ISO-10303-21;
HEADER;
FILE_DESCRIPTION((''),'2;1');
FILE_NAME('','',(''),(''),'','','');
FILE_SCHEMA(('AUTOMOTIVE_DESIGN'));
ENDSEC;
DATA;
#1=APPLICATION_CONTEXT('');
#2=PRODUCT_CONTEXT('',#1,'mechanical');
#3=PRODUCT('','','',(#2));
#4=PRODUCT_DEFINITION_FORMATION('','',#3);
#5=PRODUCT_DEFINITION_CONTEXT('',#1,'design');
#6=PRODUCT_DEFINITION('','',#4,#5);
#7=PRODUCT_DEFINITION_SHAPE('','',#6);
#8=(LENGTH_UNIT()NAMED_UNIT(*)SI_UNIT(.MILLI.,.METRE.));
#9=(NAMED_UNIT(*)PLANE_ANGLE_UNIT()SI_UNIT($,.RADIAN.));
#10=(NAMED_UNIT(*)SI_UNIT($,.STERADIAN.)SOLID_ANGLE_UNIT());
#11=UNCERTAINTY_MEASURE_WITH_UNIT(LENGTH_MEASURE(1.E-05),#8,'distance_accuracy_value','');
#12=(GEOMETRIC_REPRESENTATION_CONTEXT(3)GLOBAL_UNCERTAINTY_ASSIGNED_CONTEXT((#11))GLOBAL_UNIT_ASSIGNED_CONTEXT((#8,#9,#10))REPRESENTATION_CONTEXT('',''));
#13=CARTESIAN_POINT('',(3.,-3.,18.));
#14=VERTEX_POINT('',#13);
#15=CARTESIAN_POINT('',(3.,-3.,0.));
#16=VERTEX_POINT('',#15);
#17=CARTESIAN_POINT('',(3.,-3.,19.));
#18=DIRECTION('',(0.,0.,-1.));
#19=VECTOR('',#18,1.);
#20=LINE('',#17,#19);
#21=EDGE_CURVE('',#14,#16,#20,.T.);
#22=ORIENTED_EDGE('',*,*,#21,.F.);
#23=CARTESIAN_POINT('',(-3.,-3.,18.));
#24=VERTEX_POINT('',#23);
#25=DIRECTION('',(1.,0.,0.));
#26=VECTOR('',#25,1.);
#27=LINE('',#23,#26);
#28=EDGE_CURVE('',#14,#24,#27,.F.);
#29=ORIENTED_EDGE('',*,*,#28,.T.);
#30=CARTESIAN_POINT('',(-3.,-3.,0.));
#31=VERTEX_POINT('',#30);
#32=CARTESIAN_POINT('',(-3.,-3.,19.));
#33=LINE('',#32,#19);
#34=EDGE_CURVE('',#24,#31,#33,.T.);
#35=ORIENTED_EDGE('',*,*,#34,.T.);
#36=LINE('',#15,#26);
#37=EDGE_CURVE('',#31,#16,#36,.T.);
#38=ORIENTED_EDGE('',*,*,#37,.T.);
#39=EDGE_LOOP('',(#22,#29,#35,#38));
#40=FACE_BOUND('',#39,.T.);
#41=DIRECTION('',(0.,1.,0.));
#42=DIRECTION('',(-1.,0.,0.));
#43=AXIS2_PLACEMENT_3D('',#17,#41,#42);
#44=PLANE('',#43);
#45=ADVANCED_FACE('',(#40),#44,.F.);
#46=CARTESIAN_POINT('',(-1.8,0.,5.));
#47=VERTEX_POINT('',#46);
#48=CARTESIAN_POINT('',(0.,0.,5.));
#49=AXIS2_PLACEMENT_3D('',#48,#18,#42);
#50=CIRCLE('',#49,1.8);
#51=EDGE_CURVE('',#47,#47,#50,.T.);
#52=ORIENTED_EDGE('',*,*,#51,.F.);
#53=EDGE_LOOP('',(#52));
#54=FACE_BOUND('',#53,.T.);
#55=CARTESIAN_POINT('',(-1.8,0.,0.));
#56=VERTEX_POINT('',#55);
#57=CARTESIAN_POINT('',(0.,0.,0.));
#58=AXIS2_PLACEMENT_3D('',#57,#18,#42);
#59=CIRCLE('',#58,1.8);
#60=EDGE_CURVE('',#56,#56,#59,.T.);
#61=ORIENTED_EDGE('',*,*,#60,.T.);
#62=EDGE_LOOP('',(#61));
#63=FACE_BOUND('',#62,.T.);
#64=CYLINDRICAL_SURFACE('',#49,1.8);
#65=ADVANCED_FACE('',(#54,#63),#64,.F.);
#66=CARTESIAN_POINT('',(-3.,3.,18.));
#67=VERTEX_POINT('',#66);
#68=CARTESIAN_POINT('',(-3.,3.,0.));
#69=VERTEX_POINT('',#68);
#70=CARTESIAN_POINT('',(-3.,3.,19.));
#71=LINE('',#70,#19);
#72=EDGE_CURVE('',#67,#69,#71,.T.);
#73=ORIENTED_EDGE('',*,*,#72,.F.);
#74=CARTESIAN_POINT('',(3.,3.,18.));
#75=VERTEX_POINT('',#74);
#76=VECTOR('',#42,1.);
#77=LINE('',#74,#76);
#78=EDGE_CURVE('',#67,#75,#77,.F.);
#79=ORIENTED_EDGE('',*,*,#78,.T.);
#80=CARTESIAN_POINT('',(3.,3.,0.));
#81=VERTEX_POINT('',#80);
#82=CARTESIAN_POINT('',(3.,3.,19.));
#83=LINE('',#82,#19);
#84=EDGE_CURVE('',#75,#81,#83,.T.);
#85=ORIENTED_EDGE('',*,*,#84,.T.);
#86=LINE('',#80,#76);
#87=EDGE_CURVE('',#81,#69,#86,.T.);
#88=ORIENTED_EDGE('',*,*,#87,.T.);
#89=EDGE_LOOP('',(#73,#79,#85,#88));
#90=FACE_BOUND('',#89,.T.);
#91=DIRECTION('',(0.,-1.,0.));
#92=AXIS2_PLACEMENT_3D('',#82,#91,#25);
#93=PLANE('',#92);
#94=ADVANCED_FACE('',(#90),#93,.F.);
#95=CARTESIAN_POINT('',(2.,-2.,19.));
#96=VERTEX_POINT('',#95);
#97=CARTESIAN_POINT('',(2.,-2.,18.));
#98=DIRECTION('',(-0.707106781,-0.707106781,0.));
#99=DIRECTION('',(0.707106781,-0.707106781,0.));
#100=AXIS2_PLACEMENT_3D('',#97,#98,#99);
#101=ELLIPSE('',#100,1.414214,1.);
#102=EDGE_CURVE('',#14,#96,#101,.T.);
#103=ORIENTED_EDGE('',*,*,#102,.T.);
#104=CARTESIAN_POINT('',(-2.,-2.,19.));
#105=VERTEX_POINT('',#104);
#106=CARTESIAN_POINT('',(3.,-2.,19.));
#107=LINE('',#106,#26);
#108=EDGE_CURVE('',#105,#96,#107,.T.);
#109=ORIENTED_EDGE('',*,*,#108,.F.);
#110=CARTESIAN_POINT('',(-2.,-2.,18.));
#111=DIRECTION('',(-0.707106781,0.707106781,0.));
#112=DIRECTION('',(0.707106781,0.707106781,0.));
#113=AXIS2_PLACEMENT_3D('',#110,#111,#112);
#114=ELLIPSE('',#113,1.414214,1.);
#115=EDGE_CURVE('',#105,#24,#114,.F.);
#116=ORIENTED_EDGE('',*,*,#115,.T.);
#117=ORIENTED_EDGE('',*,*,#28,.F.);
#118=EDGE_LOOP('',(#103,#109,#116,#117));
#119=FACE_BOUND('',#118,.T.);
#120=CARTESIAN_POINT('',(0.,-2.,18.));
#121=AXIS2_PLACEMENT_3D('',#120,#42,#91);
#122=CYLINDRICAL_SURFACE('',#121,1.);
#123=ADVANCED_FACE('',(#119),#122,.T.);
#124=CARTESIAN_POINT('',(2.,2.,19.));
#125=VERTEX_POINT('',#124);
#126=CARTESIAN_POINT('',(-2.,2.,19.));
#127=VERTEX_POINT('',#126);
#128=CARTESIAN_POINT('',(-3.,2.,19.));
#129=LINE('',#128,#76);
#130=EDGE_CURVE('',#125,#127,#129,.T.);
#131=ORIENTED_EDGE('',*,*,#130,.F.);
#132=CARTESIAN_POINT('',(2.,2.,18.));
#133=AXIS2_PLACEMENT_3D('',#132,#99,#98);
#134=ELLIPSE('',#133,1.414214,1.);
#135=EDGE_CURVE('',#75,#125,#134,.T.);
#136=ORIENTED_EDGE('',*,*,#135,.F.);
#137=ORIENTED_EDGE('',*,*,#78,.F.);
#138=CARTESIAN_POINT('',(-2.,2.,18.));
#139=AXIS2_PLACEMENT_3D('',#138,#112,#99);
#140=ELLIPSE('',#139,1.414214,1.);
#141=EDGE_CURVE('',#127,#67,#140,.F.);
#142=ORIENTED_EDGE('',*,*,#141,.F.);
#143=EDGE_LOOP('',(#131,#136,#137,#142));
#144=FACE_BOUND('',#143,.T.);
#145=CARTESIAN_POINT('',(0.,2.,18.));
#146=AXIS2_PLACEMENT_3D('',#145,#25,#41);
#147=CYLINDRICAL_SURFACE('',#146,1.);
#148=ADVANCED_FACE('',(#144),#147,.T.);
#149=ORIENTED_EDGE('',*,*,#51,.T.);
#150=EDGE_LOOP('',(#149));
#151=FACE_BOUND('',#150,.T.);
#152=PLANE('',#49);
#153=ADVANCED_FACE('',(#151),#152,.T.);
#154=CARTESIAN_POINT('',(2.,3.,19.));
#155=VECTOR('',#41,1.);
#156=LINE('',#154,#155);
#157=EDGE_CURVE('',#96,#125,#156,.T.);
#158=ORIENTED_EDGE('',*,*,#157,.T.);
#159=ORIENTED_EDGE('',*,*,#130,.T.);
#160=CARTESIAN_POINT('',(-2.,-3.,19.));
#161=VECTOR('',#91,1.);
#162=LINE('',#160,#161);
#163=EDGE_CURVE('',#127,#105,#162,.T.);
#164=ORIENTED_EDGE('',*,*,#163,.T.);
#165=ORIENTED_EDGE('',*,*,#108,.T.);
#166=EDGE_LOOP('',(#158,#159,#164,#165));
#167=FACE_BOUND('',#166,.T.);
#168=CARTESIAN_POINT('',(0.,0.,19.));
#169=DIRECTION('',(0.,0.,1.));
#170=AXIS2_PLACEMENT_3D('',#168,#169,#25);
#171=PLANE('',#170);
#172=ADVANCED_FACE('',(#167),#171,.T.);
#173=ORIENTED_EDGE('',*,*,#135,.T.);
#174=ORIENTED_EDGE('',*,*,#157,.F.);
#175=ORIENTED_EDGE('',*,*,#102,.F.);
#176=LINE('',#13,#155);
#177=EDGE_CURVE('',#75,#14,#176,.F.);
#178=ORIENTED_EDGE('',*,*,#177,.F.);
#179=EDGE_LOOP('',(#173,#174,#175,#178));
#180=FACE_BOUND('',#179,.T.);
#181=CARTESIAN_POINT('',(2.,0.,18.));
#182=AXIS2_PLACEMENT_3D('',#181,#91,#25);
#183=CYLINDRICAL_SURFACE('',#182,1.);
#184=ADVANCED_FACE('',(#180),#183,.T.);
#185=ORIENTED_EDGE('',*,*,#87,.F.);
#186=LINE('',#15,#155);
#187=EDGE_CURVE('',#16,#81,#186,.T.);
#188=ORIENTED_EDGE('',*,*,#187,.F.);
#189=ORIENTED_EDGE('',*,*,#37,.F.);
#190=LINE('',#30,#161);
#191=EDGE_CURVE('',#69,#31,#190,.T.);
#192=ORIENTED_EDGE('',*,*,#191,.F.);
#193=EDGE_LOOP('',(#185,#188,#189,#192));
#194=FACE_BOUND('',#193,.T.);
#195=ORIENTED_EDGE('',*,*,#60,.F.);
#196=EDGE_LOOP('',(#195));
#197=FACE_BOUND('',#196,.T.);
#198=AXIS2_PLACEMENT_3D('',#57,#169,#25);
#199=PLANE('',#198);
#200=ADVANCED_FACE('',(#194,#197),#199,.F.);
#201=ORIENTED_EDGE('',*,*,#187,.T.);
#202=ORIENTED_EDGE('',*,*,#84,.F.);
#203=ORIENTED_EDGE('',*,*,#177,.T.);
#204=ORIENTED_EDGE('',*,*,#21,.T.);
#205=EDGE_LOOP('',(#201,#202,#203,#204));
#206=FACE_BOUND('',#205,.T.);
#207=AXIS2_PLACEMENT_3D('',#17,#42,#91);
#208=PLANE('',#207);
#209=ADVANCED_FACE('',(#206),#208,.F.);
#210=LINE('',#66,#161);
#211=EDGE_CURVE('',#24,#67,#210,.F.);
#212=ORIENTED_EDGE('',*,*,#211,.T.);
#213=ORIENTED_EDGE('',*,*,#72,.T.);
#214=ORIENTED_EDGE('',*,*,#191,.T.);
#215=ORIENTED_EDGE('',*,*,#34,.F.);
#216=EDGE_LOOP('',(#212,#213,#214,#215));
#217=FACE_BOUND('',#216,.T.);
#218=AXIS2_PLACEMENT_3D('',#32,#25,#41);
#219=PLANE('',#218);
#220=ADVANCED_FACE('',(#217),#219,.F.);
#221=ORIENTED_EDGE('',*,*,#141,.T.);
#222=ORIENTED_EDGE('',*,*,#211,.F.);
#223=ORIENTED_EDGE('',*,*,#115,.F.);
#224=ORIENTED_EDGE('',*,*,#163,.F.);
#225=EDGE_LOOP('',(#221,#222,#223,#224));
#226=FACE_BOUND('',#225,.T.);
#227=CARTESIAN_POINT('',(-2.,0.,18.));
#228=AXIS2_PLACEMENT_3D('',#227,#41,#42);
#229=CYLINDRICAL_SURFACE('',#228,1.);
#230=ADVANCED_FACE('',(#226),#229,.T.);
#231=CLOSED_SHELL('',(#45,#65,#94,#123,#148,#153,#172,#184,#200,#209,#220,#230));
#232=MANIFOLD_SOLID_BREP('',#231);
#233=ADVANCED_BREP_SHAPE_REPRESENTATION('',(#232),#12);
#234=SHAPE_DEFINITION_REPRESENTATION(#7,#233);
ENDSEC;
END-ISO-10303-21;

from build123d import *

# Parameters (mm, degrees)
SKETCH1_W           = 6
SKETCH1_H           = 6
BOSS_EXTRUDE1_DEPTH = 19
SKETCH2_R           = 1.8
CUT_EXTRUDE1_DEPTH  = 5
FILLET1_R           = 1


with BuildPart() as part:
    # Sketch1 → Boss-Extrude1 (new body)
    with BuildSketch(Plane.XY):
        Rectangle(SKETCH1_W, SKETCH1_H)
    extrude(amount=BOSS_EXTRUDE1_DEPTH)

    # Sketch2 → Cut-Extrude1 (cut)
    with BuildSketch(Plane(origin=(0, 0, 0), x_dir=(-1, 0, 0), z_dir=(0, 0, -1))):
        Circle(SKETCH2_R)
    extrude(amount=-CUT_EXTRUDE1_DEPTH, mode=Mode.SUBTRACT)

    # Fillet1
    fillet1_edges = [part.edges().sort_by_distance(p)[0] for p in [
        (3, 0, 19),
        (0, 3, 19),
        (-3, 0, 19),
        (0, -3, 19),
    ]]
    fillet(fillet1_edges, radius=FILLET1_R)


solid = part.part
